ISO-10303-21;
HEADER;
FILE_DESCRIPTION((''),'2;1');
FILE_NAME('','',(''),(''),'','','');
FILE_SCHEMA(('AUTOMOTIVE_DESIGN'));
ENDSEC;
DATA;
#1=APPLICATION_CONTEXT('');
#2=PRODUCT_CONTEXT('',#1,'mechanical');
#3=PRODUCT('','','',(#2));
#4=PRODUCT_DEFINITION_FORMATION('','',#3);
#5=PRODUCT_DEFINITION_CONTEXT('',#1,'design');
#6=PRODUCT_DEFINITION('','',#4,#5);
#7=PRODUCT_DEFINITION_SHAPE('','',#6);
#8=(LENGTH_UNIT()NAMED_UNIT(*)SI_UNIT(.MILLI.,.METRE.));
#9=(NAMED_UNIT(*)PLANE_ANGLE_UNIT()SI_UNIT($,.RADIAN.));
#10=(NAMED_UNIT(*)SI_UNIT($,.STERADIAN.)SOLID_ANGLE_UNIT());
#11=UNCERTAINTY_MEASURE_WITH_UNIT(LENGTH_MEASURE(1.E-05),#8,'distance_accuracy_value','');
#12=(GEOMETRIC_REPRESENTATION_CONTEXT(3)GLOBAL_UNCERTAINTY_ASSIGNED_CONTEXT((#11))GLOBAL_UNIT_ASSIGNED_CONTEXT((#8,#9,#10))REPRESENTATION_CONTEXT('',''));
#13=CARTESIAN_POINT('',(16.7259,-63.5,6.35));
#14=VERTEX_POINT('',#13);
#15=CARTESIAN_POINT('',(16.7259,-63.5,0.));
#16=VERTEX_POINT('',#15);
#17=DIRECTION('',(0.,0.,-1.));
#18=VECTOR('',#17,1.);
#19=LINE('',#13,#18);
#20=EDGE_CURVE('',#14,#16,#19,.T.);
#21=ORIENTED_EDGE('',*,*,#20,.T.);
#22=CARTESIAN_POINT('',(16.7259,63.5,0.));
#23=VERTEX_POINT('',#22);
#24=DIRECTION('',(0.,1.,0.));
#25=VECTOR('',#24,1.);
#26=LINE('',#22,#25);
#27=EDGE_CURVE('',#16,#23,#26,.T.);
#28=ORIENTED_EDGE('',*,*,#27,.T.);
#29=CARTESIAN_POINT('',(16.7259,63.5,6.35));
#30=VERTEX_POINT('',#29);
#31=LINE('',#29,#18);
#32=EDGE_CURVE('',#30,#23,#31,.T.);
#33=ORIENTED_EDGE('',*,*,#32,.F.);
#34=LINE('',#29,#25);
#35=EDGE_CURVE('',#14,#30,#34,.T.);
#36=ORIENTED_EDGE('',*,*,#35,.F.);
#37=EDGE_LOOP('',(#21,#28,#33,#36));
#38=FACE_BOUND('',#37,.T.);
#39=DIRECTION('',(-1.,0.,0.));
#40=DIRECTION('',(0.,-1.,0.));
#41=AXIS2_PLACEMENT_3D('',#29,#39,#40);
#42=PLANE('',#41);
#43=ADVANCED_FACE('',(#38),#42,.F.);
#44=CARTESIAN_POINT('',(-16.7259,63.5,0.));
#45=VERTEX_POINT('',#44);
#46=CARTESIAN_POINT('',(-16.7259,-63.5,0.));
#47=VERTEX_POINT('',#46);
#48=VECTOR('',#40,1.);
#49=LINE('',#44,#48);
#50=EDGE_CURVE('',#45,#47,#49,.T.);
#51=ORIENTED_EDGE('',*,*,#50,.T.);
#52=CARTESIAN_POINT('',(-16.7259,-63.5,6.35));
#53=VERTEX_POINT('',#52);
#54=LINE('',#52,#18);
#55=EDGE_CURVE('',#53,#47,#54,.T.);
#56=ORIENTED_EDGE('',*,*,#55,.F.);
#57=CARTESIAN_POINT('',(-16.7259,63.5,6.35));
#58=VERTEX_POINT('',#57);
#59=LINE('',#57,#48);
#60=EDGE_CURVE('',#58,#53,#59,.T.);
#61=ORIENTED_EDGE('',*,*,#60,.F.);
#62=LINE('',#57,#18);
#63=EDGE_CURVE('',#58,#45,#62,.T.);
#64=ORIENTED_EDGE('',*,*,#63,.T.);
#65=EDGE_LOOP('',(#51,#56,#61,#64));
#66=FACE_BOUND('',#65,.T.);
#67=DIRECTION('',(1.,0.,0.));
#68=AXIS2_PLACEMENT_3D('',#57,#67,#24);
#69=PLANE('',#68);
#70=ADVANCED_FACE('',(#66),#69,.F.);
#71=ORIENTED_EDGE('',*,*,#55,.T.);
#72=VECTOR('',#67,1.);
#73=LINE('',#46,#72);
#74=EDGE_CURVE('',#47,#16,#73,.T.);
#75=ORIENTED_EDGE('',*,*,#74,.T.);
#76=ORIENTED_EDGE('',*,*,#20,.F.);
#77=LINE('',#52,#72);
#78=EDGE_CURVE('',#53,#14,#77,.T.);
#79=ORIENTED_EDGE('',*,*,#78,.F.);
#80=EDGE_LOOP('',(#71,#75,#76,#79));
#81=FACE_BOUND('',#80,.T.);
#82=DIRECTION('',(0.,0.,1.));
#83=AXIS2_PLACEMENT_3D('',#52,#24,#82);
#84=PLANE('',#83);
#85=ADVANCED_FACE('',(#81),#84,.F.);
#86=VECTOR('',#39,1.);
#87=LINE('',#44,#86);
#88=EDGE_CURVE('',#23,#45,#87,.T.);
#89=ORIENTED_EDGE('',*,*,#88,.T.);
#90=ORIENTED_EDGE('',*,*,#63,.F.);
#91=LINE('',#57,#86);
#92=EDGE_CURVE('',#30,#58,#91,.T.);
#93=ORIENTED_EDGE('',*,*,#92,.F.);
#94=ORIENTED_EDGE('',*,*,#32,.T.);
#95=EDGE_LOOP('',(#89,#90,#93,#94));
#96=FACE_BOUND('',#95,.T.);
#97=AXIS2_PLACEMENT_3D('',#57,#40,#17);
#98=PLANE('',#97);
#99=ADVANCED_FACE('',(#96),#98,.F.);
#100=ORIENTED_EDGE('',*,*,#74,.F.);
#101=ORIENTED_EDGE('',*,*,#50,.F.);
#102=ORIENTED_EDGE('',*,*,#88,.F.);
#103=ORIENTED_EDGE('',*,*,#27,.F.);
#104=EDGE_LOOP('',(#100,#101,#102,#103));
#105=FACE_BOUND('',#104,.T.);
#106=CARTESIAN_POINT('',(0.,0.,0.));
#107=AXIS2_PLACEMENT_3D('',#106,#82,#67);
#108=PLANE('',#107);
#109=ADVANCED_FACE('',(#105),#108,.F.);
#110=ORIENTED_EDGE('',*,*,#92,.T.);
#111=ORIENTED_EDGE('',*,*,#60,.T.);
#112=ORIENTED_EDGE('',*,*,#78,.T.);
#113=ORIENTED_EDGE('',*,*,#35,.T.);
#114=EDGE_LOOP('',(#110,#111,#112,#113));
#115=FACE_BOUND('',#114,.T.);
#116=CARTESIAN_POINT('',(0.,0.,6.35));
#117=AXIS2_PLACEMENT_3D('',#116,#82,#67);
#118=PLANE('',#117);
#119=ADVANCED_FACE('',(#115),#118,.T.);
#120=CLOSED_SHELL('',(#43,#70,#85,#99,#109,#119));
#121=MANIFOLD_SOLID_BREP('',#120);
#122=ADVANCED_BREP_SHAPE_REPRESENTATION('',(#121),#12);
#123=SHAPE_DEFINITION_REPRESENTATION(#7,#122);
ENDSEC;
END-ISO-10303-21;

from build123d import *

# Parameters (mm, degrees)
ESQUISSE1_W        = 33.4518
ESQUISSE1_H        = 127
BOSS_EXTRU_1_DEPTH = 6.35


with BuildPart() as part:
    # Esquisse1 → Boss.-Extru.1 (new body)
    with BuildSketch(Plane.XY):
        Rectangle(ESQUISSE1_W, ESQUISSE1_H)
    extrude(amount=BOSS_EXTRU_1_DEPTH)


solid = part.part
